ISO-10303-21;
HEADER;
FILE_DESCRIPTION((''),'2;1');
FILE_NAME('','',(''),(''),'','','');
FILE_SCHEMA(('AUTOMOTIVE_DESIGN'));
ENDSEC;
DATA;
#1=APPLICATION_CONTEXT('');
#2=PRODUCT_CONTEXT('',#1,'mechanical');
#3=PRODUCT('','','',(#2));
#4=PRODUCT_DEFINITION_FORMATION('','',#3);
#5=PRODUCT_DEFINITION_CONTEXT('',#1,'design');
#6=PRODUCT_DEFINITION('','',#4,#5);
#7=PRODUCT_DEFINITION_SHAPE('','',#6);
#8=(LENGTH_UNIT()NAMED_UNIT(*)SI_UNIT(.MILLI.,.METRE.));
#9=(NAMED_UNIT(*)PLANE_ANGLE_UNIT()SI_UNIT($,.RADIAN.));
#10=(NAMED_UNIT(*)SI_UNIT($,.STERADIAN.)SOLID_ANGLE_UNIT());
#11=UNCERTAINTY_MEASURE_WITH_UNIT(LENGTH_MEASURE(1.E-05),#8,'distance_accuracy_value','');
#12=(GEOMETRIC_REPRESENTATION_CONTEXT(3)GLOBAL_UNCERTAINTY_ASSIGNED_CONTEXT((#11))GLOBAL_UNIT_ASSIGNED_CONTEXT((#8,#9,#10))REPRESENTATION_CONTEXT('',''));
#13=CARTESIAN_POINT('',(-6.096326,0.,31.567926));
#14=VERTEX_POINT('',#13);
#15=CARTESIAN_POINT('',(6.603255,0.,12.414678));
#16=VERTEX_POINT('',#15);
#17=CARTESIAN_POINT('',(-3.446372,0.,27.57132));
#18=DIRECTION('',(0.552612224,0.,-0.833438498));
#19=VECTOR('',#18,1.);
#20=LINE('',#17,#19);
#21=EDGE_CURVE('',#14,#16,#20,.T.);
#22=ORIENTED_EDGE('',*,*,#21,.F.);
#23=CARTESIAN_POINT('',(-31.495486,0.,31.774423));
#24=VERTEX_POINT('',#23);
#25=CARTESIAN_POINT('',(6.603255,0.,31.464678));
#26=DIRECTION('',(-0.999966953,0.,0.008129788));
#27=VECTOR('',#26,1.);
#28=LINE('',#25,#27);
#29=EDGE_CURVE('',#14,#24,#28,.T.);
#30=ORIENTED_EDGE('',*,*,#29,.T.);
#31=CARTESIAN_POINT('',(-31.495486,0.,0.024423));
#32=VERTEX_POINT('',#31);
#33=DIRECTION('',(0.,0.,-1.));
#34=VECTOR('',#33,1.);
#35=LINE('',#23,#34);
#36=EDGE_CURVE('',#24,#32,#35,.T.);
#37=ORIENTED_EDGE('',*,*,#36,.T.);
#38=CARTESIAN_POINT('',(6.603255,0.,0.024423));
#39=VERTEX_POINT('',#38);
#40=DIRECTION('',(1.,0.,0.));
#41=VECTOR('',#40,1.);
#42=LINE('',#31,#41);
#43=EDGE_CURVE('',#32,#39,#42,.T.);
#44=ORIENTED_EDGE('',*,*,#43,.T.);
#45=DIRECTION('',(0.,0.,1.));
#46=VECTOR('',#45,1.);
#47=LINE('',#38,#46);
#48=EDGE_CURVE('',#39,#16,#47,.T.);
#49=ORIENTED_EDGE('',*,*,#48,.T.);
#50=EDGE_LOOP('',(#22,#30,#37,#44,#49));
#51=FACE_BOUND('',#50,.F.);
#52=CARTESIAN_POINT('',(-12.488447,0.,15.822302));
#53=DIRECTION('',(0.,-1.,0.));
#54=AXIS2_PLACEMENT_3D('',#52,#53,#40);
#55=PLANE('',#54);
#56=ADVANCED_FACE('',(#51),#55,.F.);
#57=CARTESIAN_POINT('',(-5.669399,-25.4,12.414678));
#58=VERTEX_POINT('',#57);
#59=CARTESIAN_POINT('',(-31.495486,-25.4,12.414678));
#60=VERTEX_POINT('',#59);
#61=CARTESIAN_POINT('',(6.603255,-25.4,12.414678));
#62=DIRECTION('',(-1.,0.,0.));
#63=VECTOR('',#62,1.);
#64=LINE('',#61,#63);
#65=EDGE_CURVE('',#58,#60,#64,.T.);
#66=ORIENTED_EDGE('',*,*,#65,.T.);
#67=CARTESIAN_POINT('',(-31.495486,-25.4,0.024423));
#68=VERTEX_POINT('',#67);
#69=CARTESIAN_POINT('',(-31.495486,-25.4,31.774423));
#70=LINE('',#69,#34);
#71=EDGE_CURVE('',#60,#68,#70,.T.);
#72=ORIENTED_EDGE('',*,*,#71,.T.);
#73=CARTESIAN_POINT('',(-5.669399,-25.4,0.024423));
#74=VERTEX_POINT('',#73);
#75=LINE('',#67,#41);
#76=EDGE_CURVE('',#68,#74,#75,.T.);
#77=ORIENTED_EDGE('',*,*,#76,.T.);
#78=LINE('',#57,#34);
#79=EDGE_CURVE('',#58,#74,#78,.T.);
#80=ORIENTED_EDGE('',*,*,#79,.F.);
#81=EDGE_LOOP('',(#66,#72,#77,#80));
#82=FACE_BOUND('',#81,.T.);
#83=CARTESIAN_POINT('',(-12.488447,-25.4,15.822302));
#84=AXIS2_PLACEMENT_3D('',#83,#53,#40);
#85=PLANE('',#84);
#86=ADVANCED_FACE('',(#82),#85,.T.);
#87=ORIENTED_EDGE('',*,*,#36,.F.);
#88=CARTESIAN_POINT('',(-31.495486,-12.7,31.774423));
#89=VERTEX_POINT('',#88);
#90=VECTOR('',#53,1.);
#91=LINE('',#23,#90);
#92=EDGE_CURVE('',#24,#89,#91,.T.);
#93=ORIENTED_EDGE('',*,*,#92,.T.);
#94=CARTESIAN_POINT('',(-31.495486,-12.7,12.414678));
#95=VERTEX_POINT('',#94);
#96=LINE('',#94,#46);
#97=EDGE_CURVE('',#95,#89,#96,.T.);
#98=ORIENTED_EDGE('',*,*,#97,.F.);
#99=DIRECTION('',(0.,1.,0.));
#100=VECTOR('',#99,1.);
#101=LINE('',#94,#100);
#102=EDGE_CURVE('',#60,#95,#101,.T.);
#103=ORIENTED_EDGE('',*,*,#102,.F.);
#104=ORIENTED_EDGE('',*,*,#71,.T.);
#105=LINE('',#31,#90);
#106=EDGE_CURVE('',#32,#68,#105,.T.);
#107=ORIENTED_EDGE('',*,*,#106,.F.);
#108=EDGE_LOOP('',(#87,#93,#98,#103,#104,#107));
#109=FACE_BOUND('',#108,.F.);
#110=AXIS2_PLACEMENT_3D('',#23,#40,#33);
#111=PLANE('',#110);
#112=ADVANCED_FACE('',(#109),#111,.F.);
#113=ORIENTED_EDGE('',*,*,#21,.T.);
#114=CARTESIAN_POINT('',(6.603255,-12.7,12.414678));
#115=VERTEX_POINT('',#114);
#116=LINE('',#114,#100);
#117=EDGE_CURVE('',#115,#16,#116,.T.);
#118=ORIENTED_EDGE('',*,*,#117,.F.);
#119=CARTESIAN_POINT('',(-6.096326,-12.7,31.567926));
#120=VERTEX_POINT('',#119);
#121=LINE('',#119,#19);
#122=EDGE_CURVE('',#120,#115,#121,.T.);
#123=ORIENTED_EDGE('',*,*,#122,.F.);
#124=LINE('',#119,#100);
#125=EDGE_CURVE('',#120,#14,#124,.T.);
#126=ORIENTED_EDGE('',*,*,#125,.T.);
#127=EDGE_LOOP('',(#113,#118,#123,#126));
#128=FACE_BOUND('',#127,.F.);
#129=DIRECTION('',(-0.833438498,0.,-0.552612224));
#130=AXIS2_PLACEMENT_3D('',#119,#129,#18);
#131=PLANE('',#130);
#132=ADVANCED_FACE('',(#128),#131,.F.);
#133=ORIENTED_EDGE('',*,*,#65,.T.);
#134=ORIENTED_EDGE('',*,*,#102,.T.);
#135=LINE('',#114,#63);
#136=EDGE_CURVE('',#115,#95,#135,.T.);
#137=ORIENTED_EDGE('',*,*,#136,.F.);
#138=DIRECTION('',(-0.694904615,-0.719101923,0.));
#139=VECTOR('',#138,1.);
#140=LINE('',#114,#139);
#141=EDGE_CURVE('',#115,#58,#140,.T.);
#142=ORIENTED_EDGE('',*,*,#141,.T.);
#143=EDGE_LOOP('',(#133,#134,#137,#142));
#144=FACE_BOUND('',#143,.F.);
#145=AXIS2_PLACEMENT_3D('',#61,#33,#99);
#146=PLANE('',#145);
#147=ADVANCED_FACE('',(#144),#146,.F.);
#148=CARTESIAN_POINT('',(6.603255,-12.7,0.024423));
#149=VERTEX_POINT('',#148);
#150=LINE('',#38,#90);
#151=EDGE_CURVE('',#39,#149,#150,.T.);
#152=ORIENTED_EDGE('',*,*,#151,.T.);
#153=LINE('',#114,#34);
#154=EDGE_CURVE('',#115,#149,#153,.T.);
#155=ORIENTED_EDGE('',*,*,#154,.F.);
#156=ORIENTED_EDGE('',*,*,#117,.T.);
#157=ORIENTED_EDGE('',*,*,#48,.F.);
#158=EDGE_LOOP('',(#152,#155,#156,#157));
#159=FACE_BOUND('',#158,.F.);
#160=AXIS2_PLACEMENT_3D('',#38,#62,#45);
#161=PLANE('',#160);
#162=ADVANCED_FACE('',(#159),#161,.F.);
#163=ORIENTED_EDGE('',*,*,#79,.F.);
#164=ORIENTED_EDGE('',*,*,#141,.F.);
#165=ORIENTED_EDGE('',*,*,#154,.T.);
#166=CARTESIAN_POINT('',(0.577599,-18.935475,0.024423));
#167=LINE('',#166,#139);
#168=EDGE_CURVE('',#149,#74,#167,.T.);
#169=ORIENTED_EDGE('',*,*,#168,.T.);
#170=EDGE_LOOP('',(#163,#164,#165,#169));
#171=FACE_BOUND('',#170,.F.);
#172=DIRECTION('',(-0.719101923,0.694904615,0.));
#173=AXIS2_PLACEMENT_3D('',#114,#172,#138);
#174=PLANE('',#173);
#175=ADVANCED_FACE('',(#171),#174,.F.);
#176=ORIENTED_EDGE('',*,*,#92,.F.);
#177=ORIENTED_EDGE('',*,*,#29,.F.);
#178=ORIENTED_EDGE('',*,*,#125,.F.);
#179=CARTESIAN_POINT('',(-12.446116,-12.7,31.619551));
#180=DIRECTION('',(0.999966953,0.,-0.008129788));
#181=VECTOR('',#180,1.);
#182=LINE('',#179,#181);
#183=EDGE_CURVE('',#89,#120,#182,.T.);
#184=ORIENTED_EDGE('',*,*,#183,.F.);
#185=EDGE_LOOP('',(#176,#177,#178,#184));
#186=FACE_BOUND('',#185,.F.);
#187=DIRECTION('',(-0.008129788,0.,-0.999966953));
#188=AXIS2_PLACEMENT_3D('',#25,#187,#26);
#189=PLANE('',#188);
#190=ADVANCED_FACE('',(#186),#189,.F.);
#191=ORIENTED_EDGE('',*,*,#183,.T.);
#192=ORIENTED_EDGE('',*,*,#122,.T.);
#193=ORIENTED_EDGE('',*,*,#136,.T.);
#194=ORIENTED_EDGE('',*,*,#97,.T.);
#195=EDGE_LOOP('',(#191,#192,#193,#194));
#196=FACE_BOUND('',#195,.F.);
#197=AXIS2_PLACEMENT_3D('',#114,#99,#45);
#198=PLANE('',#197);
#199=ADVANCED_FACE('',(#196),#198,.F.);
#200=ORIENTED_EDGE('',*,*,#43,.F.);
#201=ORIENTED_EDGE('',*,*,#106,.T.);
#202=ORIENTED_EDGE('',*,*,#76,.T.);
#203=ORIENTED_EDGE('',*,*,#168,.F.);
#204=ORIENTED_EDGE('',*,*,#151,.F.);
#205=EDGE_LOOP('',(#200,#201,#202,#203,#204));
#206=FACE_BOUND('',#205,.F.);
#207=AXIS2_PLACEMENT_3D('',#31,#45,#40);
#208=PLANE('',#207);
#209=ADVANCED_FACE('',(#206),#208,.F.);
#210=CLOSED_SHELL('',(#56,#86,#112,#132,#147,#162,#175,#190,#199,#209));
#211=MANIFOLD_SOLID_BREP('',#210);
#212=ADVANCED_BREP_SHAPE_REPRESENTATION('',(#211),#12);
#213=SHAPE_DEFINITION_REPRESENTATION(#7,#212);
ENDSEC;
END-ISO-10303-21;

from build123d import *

# Parameters (mm, degrees)
F1_DEPTH = 25.4
F2_W     = 12.7
F2_H     = 19.05
F3_DEPTH = 38.099740899
F4_W     = 38.1
F4_H     = 12.7
F5_DEPTH = 2.54
F7_DEPTH = 12.701
F9_DEPTH = 12.3912550856


with BuildPart() as f1:
    # F0 (on Front) → F1 (new body)
    with BuildSketch(Plane.XZ):
        Polygon((-31.4954862574, 31.774422986), (-31.4954862574, 0.024422986), (6.6032546415, 0.024422986), (6.6032546415, 31.4646780716), align=None)
    extrude(amount=F1_DEPTH)

    # F2 (on face) → F3 (cut, through all)
    with BuildSketch(Plane.YZ.offset(6.6032546415)):
        with Locations((-19.05, 21.9396780716)):
            Rectangle(F2_W, F2_H)
    extrude(amount=-F3_DEPTH, mode=Mode.SUBTRACT)

    # F4 (on face) → F5 (cut)
    with BuildSketch(Plane(origin=(0.2562291336, 0, 31.5162797473), x_dir=(0.9999669527, 0, -0.0081297878), z_dir=(0.0081297878, 0, 0.9999669527))):
        with Locations((-12.7027647333, -19.05)):
            Rectangle(F4_W, F4_H)
    extrude(amount=-F5_DEPTH, mode=Mode.SUBTRACT)

    # F6 (on face) → F7 (cut, through all)
    with BuildSketch(Plane.XZ.offset(12.7)):
        Polygon((-6.0963256581, 31.5679263764), (6.6032546415, 12.4146780716), (6.6032546415, 31.4646780716), align=None)
    extrude(amount=-F7_DEPTH, mode=Mode.SUBTRACT)

    # F8 (on face) → F9 (cut, through all)
    with BuildSketch(Plane.XY.offset(12.4146780716)):
        Polygon((6.6032546415, -25.4), (6.6032546415, -12.7), (-5.669398699, -25.4), align=None)
    extrude(amount=-F9_DEPTH, mode=Mode.SUBTRACT)


solid = f1.part
